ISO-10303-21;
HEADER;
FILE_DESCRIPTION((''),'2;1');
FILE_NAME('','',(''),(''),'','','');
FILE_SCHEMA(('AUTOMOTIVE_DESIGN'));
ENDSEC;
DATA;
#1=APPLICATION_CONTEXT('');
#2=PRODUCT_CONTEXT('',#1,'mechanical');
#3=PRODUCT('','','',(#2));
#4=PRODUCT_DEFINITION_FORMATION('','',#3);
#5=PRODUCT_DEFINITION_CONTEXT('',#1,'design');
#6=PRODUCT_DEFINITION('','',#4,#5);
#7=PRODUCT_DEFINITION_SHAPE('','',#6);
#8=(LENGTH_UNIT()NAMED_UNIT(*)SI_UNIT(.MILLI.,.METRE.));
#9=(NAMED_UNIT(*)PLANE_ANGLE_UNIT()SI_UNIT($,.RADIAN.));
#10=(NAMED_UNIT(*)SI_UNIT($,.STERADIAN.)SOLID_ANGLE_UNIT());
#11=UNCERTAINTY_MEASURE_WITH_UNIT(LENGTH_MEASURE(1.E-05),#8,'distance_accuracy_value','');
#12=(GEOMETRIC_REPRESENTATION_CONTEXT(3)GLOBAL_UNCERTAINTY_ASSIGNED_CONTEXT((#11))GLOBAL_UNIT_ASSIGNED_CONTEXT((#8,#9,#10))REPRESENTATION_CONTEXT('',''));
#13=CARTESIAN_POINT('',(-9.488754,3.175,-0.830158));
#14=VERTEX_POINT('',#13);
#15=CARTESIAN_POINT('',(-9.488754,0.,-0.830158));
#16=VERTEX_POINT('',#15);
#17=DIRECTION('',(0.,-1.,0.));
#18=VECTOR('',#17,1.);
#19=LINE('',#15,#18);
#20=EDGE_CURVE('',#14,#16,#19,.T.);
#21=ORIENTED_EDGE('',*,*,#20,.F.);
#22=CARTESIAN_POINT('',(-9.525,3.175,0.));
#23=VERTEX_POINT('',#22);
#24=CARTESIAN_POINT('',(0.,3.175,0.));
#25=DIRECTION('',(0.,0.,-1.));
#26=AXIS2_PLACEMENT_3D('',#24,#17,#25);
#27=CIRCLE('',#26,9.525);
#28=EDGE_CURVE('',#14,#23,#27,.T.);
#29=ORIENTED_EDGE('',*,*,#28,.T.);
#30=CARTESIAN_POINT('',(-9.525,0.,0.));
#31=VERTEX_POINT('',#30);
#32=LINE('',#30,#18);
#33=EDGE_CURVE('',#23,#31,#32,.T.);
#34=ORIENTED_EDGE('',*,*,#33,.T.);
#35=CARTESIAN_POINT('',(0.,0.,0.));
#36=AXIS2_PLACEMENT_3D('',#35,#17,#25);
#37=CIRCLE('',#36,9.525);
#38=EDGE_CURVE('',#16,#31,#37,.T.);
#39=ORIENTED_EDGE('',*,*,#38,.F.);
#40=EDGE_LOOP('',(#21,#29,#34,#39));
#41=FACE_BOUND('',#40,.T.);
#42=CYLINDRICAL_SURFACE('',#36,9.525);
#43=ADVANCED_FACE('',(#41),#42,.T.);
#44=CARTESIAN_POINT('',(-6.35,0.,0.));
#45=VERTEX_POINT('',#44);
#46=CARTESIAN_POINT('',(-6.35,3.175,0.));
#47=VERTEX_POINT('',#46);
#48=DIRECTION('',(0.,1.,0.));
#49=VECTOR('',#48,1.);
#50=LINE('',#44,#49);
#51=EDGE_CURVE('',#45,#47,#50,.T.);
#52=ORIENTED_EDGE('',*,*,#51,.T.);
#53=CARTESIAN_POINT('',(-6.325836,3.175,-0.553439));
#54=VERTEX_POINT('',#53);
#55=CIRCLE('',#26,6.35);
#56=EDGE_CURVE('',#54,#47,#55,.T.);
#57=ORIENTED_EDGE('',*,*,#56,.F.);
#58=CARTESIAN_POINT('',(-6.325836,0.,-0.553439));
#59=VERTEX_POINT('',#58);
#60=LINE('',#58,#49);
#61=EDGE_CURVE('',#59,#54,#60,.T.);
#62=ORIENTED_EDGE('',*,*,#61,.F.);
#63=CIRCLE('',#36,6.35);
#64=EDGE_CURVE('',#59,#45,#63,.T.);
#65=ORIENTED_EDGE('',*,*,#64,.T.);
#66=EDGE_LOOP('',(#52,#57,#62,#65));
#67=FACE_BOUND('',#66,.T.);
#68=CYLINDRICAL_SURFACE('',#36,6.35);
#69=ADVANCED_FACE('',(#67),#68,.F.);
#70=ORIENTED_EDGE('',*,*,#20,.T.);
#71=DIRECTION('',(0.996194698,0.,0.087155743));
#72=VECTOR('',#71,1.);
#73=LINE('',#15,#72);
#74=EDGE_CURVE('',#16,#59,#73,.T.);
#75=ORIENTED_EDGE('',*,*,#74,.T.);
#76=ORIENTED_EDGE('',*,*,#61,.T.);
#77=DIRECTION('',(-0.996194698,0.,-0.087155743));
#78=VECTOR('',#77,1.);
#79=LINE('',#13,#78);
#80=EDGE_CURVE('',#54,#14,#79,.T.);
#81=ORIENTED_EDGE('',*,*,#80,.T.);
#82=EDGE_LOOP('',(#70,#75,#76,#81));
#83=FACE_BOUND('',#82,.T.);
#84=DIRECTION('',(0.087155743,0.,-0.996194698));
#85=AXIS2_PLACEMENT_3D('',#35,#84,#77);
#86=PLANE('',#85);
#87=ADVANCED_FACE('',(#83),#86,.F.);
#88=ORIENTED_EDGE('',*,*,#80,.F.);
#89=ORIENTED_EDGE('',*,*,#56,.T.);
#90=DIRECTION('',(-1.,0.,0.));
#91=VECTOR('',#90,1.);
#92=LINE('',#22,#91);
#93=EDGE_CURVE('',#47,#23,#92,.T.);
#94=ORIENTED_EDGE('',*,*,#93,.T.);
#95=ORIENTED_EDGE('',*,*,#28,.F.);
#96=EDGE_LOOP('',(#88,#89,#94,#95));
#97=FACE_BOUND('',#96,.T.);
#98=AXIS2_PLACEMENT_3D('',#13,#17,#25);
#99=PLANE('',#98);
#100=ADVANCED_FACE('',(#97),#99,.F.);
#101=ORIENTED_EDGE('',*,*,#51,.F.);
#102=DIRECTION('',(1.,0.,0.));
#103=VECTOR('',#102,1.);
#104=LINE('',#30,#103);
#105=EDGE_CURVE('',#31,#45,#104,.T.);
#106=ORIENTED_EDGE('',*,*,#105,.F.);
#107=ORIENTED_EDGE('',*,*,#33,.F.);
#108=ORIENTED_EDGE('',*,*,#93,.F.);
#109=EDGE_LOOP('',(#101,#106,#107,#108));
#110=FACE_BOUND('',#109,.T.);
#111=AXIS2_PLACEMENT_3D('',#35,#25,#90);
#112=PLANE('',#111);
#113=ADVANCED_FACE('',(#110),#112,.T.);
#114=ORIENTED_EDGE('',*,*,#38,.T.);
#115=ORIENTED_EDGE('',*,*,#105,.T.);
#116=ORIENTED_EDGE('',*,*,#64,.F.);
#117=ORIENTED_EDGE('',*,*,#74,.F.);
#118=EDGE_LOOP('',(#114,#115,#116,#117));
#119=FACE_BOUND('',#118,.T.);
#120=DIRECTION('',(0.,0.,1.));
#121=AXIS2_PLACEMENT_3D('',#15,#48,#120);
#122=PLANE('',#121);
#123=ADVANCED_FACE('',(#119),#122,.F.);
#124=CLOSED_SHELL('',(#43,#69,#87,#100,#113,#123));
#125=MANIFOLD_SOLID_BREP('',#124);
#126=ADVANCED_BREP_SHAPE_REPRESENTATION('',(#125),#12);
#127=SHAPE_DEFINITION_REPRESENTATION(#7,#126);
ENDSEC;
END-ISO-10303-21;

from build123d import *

# Parameters (mm, degrees)
SKETCH1_W      = 3.175
SKETCH1_H      = 3.175
REVOLVE1_ANGLE = 355


with BuildPart() as part:
    # Sketch1 → Revolve1 (revolve)
    with BuildSketch(Plane.XY):
        with Locations((-7.9375, 1.5875)):
            Rectangle(SKETCH1_W, SKETCH1_H)
    revolve(axis=Axis((0, 0, 0), (0, 1, 0)), revolution_arc=REVOLVE1_ANGLE)


solid = part.part
